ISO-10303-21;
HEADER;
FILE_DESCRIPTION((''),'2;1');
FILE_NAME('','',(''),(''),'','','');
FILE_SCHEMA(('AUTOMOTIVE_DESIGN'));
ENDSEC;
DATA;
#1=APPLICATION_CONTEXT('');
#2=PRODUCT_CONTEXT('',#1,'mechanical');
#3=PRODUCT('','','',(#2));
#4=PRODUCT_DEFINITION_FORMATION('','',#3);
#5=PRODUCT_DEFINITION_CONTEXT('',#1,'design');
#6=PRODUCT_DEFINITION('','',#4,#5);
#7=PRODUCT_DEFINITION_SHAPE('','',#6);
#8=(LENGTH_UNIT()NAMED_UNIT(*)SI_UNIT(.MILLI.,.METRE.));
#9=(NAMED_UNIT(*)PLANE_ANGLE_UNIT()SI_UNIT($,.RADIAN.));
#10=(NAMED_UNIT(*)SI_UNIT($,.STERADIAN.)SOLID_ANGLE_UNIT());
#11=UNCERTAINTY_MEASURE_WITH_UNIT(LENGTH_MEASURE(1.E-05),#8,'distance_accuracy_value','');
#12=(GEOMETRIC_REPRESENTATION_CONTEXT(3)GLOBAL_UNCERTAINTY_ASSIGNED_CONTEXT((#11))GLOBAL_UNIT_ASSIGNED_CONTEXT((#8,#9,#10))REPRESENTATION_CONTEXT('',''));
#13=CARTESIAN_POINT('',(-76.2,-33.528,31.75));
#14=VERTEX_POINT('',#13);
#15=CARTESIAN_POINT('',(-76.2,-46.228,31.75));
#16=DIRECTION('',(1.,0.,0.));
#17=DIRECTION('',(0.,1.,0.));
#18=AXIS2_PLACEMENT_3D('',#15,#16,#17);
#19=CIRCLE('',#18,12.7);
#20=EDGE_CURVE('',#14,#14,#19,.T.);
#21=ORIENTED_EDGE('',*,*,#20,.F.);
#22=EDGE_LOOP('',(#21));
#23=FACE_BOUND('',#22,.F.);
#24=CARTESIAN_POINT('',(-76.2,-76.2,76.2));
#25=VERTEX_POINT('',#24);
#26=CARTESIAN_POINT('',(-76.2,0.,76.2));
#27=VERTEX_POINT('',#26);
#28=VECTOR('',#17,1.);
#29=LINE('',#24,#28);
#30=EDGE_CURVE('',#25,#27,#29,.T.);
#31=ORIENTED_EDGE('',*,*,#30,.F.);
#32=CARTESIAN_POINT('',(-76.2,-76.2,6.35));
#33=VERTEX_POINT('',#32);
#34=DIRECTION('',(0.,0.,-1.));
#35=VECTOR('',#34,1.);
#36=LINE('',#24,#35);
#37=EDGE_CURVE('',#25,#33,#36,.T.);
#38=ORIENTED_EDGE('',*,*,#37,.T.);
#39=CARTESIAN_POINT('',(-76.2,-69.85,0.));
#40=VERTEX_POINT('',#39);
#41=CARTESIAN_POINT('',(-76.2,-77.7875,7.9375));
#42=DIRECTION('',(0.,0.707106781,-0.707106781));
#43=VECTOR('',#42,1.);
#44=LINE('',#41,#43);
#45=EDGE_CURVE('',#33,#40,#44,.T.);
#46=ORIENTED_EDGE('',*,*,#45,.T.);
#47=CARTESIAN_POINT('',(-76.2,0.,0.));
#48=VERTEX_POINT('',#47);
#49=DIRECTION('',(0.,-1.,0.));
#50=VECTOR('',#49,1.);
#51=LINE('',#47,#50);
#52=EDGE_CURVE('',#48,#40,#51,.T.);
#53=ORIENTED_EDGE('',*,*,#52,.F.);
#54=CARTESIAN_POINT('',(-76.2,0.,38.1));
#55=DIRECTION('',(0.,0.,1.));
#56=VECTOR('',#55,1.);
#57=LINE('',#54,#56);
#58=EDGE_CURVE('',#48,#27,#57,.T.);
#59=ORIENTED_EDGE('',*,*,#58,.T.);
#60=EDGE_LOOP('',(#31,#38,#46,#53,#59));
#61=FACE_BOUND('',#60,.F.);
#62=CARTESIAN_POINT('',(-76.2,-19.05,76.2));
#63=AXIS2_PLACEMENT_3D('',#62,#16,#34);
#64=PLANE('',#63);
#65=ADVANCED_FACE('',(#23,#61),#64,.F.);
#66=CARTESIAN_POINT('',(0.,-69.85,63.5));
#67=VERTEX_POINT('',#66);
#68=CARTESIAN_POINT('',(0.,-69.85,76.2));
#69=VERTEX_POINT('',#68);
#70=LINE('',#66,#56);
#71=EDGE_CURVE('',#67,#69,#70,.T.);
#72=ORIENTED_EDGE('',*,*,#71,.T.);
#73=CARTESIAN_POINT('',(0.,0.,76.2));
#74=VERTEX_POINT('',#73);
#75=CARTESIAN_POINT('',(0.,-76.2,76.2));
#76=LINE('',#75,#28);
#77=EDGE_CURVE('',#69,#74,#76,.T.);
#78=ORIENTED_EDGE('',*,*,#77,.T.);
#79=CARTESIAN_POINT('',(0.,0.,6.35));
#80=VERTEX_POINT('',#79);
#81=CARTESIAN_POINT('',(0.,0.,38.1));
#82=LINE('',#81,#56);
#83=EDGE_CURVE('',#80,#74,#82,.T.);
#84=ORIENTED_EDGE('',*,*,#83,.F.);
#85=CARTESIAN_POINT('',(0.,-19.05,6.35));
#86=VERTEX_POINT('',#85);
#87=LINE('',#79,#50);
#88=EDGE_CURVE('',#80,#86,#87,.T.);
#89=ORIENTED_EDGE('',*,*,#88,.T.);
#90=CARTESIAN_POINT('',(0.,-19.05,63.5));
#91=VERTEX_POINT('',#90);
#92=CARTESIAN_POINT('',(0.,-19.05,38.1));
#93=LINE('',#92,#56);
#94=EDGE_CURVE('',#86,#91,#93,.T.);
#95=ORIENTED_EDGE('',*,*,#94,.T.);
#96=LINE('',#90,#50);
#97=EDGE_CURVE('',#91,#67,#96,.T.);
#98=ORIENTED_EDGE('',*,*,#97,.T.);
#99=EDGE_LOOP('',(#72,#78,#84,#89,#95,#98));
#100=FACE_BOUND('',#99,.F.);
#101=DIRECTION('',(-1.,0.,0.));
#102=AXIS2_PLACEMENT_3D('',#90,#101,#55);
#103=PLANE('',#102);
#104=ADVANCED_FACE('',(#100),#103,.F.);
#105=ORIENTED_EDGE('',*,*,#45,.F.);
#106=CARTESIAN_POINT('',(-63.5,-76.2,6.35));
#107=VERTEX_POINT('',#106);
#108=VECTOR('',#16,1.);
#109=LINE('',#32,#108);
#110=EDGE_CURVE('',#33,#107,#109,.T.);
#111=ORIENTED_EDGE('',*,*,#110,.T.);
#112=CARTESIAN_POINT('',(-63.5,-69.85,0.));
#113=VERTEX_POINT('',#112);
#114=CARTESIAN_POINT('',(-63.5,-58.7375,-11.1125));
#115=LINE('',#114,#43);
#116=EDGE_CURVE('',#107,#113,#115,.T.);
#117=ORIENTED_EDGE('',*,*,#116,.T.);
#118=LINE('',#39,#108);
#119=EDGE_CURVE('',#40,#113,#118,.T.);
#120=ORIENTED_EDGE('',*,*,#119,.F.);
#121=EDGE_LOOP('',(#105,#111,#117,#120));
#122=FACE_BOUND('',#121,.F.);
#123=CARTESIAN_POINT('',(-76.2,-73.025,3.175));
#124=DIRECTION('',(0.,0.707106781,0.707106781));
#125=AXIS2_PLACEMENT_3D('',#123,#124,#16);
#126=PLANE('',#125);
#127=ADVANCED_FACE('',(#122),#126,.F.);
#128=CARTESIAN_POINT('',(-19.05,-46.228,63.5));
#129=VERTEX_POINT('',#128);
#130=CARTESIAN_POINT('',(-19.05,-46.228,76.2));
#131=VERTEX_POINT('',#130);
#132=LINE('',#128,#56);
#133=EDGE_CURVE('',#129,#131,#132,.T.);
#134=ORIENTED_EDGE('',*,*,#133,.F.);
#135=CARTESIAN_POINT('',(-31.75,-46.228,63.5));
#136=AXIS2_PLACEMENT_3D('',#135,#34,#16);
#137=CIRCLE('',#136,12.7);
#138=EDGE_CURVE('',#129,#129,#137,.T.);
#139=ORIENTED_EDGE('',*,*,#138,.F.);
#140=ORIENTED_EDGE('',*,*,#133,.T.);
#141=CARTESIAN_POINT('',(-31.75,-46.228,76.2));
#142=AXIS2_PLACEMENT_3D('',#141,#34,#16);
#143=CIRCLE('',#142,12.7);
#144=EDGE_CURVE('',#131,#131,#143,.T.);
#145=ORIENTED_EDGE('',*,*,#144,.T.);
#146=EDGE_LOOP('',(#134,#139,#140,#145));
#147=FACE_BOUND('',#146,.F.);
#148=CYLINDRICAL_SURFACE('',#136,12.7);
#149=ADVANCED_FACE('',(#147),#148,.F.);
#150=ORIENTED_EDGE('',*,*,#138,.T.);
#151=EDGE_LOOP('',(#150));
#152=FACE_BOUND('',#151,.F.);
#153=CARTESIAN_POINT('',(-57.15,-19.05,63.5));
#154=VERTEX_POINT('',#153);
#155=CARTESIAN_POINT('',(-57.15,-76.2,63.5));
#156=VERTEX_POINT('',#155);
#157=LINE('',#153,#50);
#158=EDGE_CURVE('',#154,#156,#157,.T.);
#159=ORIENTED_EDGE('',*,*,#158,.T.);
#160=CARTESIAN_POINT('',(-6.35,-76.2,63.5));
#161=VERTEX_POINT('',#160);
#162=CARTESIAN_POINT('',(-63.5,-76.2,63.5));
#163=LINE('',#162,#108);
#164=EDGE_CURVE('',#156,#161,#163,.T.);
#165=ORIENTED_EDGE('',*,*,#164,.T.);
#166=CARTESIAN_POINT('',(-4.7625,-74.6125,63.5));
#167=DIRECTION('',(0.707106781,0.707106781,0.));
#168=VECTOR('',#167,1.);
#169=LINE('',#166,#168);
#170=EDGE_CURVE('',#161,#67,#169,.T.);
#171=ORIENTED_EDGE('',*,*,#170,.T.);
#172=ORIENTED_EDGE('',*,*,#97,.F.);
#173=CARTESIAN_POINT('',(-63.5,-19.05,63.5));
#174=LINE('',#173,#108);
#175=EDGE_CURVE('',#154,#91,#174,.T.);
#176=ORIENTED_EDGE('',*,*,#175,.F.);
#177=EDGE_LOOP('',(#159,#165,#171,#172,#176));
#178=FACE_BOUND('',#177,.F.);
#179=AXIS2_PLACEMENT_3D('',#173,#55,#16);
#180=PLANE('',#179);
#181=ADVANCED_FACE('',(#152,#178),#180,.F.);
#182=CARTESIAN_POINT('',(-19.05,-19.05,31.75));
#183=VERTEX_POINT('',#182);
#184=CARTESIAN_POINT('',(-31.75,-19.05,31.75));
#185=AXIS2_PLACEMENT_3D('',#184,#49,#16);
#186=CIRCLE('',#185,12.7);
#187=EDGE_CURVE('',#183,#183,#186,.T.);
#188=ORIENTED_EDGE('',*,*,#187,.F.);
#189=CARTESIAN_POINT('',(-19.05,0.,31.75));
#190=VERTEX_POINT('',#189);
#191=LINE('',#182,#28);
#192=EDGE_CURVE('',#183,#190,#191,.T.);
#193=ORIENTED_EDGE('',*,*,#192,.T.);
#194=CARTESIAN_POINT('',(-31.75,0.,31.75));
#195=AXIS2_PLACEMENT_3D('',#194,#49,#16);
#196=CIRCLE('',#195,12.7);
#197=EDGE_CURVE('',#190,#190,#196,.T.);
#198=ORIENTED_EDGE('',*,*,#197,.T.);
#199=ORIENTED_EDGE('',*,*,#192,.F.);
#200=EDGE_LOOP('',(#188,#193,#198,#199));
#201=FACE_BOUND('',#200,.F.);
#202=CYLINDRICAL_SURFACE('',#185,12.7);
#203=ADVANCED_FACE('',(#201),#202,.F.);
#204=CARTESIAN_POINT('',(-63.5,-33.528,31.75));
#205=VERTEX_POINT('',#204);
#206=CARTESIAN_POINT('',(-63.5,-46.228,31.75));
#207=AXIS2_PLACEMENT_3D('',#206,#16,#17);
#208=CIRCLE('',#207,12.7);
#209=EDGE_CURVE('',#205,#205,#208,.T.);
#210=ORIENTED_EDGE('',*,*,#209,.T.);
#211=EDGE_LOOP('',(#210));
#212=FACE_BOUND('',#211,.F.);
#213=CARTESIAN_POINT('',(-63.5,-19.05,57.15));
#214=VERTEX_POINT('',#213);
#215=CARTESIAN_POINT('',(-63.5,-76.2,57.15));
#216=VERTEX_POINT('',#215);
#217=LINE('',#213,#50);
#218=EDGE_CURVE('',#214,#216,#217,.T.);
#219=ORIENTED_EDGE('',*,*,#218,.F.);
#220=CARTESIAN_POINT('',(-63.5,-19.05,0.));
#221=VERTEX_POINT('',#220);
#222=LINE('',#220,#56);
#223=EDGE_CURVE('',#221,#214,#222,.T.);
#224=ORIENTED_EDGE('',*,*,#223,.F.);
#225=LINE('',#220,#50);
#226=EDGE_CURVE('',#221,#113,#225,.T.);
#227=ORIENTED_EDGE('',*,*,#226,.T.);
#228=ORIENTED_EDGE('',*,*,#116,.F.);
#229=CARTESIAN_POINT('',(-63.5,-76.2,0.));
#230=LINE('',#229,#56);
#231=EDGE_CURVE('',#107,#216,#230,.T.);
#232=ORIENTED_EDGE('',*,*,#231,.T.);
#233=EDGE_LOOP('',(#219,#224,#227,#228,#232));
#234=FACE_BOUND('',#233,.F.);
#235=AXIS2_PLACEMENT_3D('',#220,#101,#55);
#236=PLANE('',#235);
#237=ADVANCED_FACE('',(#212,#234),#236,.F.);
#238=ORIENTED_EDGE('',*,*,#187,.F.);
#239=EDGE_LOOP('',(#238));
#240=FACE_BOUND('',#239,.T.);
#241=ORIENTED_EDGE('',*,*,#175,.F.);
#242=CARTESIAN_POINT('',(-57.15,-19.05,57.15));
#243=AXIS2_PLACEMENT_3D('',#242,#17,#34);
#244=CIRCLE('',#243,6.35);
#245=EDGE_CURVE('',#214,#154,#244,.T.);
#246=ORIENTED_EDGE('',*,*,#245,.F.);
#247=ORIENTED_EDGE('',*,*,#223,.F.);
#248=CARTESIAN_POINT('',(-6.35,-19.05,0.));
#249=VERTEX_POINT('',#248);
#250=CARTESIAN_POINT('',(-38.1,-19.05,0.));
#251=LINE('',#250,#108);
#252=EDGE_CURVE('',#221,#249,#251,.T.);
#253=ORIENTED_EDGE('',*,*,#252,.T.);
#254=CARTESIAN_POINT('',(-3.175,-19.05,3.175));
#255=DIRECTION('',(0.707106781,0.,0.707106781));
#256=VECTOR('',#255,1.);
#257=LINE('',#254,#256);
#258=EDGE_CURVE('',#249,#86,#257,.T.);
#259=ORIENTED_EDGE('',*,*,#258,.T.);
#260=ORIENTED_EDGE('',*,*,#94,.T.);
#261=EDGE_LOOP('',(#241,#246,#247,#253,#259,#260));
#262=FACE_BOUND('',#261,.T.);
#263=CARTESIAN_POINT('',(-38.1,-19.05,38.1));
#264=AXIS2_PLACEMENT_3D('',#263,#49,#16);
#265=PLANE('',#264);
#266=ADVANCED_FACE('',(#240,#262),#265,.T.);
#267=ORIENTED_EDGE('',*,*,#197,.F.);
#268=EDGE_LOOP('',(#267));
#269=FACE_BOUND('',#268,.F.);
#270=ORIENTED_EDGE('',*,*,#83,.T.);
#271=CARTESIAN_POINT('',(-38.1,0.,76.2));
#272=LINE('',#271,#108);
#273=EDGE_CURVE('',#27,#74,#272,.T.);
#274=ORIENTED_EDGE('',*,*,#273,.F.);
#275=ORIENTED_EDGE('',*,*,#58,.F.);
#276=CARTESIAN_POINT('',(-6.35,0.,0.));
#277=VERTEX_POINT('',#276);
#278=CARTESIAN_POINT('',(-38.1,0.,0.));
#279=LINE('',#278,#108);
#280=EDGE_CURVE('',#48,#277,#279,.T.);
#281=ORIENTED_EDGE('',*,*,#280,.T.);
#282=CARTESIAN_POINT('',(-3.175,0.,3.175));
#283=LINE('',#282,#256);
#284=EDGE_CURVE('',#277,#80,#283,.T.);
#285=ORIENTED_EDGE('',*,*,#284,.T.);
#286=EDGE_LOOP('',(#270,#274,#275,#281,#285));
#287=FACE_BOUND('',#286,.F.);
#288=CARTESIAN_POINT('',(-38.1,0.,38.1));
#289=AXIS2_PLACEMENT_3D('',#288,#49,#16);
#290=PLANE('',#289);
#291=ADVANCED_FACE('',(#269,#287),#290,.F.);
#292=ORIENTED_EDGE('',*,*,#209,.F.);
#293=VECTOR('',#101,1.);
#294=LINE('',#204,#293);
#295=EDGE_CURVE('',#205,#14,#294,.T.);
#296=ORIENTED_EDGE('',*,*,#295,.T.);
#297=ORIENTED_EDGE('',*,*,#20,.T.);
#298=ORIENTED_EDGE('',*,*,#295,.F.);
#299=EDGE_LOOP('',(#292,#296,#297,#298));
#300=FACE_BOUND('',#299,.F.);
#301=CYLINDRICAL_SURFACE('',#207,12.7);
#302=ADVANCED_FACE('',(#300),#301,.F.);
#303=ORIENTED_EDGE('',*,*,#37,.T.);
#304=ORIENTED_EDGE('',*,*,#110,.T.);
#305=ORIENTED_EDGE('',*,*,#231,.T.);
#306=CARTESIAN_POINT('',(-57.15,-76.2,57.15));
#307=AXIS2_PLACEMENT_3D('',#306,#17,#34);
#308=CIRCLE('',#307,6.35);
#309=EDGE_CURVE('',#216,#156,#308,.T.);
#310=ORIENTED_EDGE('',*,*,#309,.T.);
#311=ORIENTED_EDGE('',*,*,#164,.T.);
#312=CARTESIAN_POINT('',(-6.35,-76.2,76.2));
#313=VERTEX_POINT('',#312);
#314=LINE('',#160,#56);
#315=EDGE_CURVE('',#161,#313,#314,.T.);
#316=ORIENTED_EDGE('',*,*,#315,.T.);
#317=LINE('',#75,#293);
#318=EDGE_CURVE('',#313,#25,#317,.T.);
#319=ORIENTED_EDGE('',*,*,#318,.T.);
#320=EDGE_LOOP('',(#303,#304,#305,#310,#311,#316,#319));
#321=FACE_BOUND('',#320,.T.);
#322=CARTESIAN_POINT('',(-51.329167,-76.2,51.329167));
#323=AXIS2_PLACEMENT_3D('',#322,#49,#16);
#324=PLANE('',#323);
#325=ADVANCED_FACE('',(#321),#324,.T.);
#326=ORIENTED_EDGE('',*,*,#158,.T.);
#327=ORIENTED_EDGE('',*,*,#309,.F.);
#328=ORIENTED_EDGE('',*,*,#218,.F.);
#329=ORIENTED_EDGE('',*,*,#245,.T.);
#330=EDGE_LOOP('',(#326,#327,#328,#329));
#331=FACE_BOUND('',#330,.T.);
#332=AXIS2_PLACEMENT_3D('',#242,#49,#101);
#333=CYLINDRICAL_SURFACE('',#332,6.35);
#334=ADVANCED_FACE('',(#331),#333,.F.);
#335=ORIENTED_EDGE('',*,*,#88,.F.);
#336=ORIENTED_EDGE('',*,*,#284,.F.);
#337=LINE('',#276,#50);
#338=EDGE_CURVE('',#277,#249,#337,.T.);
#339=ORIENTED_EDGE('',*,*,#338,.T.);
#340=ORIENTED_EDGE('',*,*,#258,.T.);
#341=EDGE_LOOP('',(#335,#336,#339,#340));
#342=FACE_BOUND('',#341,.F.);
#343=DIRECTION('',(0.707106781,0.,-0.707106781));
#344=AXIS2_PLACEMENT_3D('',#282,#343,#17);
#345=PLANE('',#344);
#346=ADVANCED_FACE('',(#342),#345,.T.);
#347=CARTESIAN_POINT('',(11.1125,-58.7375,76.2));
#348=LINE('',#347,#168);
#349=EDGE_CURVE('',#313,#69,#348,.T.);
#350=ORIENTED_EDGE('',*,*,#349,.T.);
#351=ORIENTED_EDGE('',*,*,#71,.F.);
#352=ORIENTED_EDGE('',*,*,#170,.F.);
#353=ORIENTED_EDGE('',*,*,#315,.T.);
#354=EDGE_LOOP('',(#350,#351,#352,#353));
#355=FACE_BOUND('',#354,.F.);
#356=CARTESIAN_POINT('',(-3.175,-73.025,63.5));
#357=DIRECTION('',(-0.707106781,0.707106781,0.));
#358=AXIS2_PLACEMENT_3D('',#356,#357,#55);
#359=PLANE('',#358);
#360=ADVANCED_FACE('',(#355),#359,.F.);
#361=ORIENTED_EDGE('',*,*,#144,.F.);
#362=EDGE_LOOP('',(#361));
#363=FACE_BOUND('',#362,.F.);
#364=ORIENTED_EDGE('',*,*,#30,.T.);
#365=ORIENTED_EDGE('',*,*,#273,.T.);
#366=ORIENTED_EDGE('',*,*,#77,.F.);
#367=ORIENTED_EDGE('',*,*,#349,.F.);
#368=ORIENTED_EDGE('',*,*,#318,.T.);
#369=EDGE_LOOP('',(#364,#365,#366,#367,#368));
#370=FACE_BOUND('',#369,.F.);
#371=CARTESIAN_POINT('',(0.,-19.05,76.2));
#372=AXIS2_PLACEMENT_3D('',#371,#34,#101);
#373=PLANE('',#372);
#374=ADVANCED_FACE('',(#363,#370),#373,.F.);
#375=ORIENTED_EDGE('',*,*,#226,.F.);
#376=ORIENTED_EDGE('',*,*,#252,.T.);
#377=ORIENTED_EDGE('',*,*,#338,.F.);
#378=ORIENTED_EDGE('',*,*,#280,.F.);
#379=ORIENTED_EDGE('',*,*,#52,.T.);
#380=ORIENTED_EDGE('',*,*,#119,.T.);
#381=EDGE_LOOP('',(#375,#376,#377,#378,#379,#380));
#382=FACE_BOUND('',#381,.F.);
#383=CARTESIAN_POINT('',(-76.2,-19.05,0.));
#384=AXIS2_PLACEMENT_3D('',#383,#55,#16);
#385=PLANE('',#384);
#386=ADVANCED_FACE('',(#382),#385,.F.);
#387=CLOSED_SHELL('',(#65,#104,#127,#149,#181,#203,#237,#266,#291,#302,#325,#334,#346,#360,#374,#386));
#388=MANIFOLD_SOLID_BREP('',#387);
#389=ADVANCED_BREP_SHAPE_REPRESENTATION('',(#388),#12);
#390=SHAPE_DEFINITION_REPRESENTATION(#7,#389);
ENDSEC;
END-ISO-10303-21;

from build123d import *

# Parameters (mm, degrees)
F0_W      = 76.2
F0_H      = 76.2
F1_DEPTH  = 19.05
F3_DEPTH  = 57.15
F4_R      = 12.7
F5_DEPTH  = 12.7
F6_R      = 12.7
F7_DEPTH  = 19.05
F8_R      = 6.35
F9_SIZE   = 6.35
F10_R     = 12.7
F11_DEPTH = 12.7


with BuildPart() as f1:
    # F0 (on Front) → F1 (new body)
    with BuildSketch(Plane.XZ):
        with Locations((-38.1, 38.1)):
            Rectangle(F0_W, F0_H)
    extrude(amount=F1_DEPTH)

    # F2 (on face) → F3 (join)
    with BuildSketch(Plane.XZ.offset(19.05)):
        Polygon((-76.2, 76.2), (-76.2, 0), (-63.5, 0), (-63.5, 63.5), (0, 63.5), (0, 76.2), align=None)
    extrude(amount=F3_DEPTH)

    # F4 (on face) → F5 (cut)
    with BuildSketch(Plane(origin=(0, 0, 63.5), x_dir=(1, 0, 0), z_dir=(0, 0, -1))):
        with Locations((-31.75, 46.228)):
            Circle(F4_R)
    extrude(amount=-F5_DEPTH, mode=Mode.SUBTRACT)

    # F6 (on face) → F7 (cut)
    with BuildSketch(Plane.XZ.offset(19.05)):
        with Locations((-31.75, 31.75)):
            Circle(F6_R)
    extrude(amount=-F7_DEPTH, mode=Mode.SUBTRACT)

    # F8
    f8_edges = [f1.edges().sort_by_distance(p)[0] for p in [
        (-63.5, -47.625, 63.5),
    ]]
    fillet(f8_edges, radius=F8_R)

    # F9
    f9_edges = [f1.edges().sort_by_distance(p)[0] for p in [
        (0, -9.525, 0),
        (-69.85, -76.2, 0),
        (0, -76.2, 69.85),
    ]]
    chamfer(f9_edges, length=F9_SIZE)

    # F10 (on face) → F11 (cut)
    with BuildSketch(Plane.YZ.offset(-63.5)):
        with Locations((-46.228, 31.75)):
            Circle(F10_R)
    extrude(amount=-F11_DEPTH, mode=Mode.SUBTRACT)


solid = f1.part
